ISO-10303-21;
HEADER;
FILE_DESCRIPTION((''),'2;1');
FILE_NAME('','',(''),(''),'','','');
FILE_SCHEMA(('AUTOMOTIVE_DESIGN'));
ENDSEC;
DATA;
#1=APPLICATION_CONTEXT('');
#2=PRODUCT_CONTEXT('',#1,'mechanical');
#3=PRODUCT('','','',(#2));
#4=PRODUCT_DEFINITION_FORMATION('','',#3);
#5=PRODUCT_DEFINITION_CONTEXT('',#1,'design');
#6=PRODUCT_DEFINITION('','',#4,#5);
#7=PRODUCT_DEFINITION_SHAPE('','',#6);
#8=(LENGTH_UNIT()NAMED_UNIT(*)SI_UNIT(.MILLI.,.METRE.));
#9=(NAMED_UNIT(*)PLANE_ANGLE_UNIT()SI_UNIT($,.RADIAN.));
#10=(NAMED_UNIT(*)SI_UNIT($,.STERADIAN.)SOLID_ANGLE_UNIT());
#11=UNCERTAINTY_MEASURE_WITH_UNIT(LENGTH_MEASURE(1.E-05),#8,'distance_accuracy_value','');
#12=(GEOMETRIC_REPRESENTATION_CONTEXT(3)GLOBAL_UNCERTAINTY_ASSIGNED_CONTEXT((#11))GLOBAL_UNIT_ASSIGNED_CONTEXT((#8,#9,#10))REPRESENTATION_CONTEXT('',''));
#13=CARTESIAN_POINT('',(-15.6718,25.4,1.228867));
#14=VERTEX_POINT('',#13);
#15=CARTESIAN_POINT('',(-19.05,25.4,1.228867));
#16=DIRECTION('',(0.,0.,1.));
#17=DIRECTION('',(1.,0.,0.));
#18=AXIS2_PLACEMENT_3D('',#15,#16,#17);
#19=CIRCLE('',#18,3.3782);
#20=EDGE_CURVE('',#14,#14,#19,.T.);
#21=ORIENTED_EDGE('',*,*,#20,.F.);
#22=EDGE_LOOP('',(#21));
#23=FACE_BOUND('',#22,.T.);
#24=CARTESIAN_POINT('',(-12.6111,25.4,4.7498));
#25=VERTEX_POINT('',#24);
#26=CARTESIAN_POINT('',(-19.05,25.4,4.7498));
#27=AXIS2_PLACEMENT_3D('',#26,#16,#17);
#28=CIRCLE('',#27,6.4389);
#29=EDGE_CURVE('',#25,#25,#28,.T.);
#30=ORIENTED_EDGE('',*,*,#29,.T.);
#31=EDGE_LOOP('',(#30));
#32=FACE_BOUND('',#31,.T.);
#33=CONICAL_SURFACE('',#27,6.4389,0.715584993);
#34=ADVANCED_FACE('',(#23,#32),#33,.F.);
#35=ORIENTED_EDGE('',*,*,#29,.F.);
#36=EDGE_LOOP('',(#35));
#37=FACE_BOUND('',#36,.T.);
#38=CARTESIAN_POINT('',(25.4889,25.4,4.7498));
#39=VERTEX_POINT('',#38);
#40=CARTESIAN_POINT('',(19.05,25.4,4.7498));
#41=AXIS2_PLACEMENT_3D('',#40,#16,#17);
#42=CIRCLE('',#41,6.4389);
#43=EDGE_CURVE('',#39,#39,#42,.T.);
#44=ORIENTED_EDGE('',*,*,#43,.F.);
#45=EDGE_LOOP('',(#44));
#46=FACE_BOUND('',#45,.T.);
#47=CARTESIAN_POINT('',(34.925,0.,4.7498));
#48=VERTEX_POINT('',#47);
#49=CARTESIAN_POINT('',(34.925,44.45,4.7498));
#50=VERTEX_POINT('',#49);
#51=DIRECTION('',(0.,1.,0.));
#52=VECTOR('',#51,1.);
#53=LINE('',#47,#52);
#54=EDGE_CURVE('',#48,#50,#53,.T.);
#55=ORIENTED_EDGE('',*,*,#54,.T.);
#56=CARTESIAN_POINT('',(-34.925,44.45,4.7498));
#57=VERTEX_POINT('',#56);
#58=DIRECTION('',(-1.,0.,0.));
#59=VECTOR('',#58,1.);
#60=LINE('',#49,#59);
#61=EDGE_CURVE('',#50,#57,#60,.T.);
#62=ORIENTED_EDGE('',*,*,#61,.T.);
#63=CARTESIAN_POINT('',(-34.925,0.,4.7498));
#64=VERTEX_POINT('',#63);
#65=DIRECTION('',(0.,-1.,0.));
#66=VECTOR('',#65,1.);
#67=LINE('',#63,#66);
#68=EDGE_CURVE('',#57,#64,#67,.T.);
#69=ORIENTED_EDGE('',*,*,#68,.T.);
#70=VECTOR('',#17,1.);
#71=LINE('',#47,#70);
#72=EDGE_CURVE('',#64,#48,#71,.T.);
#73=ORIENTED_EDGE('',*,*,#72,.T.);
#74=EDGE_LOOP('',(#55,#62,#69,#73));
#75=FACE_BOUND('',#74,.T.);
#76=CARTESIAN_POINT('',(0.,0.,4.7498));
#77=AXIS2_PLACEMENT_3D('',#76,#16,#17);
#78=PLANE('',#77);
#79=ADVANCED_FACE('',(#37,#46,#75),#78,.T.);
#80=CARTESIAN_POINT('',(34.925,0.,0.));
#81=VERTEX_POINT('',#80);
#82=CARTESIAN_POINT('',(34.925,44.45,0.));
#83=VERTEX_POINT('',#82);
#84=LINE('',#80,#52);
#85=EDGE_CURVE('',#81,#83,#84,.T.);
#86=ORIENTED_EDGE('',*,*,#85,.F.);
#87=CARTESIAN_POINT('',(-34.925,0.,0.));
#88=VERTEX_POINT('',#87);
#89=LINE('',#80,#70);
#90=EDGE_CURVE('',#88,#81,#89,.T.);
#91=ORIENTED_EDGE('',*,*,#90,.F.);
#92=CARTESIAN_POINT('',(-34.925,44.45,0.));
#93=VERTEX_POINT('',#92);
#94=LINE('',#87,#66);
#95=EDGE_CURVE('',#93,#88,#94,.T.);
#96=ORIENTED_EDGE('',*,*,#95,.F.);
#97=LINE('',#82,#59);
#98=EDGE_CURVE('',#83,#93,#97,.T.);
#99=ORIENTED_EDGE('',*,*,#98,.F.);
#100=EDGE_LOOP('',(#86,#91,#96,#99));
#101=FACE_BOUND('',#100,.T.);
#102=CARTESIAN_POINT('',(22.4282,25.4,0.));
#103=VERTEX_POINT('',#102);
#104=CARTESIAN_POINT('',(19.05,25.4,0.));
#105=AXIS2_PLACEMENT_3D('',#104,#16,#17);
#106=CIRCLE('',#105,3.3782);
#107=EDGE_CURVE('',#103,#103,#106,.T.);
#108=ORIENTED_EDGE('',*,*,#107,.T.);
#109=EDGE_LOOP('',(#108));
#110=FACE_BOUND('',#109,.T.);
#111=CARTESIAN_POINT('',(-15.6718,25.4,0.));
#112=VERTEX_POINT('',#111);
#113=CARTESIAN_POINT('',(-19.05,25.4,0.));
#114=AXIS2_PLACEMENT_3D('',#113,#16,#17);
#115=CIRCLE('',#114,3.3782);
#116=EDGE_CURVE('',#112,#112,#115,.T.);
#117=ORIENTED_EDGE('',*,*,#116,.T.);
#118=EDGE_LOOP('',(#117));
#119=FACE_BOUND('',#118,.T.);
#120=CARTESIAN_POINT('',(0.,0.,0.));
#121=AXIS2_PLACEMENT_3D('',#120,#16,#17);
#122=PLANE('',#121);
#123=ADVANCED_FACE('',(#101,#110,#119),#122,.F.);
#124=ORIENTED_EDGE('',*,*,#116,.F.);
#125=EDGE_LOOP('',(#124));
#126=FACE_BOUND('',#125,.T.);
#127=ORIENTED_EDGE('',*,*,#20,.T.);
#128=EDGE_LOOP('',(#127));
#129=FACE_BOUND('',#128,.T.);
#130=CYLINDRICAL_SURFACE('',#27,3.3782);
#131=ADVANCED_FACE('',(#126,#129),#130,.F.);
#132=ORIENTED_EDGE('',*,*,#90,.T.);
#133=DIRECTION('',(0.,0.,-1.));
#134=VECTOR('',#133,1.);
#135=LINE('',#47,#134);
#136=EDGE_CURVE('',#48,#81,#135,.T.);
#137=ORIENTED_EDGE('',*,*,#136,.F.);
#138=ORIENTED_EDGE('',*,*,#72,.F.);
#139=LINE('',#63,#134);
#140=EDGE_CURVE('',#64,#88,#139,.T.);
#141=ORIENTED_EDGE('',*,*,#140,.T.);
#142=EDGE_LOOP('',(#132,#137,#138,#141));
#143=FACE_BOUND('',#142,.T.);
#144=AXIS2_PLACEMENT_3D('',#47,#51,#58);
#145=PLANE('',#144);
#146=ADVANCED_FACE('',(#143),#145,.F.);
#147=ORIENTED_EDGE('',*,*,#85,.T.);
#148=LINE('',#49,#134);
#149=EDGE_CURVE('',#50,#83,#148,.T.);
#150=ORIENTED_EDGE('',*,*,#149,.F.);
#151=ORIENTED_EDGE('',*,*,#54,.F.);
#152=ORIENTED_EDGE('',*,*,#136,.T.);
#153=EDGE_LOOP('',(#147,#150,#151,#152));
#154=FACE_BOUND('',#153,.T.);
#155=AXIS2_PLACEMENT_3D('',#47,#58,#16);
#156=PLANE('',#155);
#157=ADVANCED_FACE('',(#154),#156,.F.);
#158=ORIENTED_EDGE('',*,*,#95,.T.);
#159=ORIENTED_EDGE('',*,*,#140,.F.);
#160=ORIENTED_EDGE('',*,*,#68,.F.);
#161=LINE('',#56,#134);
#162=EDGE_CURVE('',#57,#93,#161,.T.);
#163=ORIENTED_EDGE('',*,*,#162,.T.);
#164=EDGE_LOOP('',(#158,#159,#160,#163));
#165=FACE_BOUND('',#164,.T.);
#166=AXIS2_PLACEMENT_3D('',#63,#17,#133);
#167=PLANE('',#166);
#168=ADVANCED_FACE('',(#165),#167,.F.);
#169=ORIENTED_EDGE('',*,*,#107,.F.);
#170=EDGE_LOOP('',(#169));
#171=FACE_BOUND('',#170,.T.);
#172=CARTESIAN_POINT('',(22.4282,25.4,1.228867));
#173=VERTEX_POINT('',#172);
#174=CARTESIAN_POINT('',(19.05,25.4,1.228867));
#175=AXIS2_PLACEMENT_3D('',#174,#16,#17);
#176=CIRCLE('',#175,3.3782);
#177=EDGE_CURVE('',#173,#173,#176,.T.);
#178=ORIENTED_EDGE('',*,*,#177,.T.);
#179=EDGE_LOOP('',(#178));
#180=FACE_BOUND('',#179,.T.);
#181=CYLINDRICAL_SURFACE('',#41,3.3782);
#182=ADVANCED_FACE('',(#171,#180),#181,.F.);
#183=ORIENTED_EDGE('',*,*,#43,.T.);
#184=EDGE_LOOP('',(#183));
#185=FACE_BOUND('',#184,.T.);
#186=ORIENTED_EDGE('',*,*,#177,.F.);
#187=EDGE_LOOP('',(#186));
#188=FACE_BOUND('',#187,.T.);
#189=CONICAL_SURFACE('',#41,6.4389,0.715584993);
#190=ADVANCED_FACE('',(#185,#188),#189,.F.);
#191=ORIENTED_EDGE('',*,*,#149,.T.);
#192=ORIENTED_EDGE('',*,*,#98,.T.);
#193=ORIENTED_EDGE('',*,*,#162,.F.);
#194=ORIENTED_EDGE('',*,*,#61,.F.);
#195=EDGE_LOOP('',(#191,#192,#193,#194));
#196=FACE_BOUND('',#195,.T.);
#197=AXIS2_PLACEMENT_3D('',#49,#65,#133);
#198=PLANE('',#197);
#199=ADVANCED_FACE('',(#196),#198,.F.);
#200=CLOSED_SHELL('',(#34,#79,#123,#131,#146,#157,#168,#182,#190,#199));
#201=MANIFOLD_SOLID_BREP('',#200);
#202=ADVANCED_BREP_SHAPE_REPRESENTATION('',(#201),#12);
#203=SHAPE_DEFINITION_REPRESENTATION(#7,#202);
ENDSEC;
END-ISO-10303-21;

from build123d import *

# Parameters (mm, degrees)
SKETCH1_W                                     = 69.85
SKETCH1_H                                     = 44.45
BOSS_EXTRUDE1_DEPTH                           = 4.7498
CSK_FOR_1_4_FLAT_HEAD_MACHINE_SCREW1_AT_COUNT = 2
CSK_FOR_1_4_FLAT_HEAD_MACHINE_SCREW1_AT_PITCH = 38.1


with BuildPart() as part:
    # Sketch1 → Boss-Extrude1 (new body)
    with BuildSketch(Plane.XY):
        with Locations((0, 22.225)):
            Rectangle(SKETCH1_W, SKETCH1_H)
    extrude(amount=BOSS_EXTRUDE1_DEPTH)

    # Sketch3 → CSK for 1/4 Flat Head Machine Screw1 (revolve, cut)
    with BuildSketch(Plane(origin=(19.05, 25.4, 4.7498), x_dir=(0, -1, 0), z_dir=(1, 0, 0))):
        Polygon((0, 0), (0, 4.7498), (3.3782, 4.7498), (3.3782, 3.520932584), (6.4389, 0), align=None)
    csk_for_1_4_flat_head_machine_screw1 = revolve(axis=Axis((19.05, 25.4, 11.0998), (0, 0, -1)), mode=Mode.SUBTRACT)

    # CSK for 1/4 Flat Head Machine Screw1 at: CSK for 1/4 Flat Head Machine Screw1 ×2
    with Locations(*[(-i * CSK_FOR_1_4_FLAT_HEAD_MACHINE_SCREW1_AT_PITCH, 0, 0) for i in range(1, CSK_FOR_1_4_FLAT_HEAD_MACHINE_SCREW1_AT_COUNT)]):
        add(csk_for_1_4_flat_head_machine_screw1, mode=Mode.SUBTRACT)


solid = part.part
